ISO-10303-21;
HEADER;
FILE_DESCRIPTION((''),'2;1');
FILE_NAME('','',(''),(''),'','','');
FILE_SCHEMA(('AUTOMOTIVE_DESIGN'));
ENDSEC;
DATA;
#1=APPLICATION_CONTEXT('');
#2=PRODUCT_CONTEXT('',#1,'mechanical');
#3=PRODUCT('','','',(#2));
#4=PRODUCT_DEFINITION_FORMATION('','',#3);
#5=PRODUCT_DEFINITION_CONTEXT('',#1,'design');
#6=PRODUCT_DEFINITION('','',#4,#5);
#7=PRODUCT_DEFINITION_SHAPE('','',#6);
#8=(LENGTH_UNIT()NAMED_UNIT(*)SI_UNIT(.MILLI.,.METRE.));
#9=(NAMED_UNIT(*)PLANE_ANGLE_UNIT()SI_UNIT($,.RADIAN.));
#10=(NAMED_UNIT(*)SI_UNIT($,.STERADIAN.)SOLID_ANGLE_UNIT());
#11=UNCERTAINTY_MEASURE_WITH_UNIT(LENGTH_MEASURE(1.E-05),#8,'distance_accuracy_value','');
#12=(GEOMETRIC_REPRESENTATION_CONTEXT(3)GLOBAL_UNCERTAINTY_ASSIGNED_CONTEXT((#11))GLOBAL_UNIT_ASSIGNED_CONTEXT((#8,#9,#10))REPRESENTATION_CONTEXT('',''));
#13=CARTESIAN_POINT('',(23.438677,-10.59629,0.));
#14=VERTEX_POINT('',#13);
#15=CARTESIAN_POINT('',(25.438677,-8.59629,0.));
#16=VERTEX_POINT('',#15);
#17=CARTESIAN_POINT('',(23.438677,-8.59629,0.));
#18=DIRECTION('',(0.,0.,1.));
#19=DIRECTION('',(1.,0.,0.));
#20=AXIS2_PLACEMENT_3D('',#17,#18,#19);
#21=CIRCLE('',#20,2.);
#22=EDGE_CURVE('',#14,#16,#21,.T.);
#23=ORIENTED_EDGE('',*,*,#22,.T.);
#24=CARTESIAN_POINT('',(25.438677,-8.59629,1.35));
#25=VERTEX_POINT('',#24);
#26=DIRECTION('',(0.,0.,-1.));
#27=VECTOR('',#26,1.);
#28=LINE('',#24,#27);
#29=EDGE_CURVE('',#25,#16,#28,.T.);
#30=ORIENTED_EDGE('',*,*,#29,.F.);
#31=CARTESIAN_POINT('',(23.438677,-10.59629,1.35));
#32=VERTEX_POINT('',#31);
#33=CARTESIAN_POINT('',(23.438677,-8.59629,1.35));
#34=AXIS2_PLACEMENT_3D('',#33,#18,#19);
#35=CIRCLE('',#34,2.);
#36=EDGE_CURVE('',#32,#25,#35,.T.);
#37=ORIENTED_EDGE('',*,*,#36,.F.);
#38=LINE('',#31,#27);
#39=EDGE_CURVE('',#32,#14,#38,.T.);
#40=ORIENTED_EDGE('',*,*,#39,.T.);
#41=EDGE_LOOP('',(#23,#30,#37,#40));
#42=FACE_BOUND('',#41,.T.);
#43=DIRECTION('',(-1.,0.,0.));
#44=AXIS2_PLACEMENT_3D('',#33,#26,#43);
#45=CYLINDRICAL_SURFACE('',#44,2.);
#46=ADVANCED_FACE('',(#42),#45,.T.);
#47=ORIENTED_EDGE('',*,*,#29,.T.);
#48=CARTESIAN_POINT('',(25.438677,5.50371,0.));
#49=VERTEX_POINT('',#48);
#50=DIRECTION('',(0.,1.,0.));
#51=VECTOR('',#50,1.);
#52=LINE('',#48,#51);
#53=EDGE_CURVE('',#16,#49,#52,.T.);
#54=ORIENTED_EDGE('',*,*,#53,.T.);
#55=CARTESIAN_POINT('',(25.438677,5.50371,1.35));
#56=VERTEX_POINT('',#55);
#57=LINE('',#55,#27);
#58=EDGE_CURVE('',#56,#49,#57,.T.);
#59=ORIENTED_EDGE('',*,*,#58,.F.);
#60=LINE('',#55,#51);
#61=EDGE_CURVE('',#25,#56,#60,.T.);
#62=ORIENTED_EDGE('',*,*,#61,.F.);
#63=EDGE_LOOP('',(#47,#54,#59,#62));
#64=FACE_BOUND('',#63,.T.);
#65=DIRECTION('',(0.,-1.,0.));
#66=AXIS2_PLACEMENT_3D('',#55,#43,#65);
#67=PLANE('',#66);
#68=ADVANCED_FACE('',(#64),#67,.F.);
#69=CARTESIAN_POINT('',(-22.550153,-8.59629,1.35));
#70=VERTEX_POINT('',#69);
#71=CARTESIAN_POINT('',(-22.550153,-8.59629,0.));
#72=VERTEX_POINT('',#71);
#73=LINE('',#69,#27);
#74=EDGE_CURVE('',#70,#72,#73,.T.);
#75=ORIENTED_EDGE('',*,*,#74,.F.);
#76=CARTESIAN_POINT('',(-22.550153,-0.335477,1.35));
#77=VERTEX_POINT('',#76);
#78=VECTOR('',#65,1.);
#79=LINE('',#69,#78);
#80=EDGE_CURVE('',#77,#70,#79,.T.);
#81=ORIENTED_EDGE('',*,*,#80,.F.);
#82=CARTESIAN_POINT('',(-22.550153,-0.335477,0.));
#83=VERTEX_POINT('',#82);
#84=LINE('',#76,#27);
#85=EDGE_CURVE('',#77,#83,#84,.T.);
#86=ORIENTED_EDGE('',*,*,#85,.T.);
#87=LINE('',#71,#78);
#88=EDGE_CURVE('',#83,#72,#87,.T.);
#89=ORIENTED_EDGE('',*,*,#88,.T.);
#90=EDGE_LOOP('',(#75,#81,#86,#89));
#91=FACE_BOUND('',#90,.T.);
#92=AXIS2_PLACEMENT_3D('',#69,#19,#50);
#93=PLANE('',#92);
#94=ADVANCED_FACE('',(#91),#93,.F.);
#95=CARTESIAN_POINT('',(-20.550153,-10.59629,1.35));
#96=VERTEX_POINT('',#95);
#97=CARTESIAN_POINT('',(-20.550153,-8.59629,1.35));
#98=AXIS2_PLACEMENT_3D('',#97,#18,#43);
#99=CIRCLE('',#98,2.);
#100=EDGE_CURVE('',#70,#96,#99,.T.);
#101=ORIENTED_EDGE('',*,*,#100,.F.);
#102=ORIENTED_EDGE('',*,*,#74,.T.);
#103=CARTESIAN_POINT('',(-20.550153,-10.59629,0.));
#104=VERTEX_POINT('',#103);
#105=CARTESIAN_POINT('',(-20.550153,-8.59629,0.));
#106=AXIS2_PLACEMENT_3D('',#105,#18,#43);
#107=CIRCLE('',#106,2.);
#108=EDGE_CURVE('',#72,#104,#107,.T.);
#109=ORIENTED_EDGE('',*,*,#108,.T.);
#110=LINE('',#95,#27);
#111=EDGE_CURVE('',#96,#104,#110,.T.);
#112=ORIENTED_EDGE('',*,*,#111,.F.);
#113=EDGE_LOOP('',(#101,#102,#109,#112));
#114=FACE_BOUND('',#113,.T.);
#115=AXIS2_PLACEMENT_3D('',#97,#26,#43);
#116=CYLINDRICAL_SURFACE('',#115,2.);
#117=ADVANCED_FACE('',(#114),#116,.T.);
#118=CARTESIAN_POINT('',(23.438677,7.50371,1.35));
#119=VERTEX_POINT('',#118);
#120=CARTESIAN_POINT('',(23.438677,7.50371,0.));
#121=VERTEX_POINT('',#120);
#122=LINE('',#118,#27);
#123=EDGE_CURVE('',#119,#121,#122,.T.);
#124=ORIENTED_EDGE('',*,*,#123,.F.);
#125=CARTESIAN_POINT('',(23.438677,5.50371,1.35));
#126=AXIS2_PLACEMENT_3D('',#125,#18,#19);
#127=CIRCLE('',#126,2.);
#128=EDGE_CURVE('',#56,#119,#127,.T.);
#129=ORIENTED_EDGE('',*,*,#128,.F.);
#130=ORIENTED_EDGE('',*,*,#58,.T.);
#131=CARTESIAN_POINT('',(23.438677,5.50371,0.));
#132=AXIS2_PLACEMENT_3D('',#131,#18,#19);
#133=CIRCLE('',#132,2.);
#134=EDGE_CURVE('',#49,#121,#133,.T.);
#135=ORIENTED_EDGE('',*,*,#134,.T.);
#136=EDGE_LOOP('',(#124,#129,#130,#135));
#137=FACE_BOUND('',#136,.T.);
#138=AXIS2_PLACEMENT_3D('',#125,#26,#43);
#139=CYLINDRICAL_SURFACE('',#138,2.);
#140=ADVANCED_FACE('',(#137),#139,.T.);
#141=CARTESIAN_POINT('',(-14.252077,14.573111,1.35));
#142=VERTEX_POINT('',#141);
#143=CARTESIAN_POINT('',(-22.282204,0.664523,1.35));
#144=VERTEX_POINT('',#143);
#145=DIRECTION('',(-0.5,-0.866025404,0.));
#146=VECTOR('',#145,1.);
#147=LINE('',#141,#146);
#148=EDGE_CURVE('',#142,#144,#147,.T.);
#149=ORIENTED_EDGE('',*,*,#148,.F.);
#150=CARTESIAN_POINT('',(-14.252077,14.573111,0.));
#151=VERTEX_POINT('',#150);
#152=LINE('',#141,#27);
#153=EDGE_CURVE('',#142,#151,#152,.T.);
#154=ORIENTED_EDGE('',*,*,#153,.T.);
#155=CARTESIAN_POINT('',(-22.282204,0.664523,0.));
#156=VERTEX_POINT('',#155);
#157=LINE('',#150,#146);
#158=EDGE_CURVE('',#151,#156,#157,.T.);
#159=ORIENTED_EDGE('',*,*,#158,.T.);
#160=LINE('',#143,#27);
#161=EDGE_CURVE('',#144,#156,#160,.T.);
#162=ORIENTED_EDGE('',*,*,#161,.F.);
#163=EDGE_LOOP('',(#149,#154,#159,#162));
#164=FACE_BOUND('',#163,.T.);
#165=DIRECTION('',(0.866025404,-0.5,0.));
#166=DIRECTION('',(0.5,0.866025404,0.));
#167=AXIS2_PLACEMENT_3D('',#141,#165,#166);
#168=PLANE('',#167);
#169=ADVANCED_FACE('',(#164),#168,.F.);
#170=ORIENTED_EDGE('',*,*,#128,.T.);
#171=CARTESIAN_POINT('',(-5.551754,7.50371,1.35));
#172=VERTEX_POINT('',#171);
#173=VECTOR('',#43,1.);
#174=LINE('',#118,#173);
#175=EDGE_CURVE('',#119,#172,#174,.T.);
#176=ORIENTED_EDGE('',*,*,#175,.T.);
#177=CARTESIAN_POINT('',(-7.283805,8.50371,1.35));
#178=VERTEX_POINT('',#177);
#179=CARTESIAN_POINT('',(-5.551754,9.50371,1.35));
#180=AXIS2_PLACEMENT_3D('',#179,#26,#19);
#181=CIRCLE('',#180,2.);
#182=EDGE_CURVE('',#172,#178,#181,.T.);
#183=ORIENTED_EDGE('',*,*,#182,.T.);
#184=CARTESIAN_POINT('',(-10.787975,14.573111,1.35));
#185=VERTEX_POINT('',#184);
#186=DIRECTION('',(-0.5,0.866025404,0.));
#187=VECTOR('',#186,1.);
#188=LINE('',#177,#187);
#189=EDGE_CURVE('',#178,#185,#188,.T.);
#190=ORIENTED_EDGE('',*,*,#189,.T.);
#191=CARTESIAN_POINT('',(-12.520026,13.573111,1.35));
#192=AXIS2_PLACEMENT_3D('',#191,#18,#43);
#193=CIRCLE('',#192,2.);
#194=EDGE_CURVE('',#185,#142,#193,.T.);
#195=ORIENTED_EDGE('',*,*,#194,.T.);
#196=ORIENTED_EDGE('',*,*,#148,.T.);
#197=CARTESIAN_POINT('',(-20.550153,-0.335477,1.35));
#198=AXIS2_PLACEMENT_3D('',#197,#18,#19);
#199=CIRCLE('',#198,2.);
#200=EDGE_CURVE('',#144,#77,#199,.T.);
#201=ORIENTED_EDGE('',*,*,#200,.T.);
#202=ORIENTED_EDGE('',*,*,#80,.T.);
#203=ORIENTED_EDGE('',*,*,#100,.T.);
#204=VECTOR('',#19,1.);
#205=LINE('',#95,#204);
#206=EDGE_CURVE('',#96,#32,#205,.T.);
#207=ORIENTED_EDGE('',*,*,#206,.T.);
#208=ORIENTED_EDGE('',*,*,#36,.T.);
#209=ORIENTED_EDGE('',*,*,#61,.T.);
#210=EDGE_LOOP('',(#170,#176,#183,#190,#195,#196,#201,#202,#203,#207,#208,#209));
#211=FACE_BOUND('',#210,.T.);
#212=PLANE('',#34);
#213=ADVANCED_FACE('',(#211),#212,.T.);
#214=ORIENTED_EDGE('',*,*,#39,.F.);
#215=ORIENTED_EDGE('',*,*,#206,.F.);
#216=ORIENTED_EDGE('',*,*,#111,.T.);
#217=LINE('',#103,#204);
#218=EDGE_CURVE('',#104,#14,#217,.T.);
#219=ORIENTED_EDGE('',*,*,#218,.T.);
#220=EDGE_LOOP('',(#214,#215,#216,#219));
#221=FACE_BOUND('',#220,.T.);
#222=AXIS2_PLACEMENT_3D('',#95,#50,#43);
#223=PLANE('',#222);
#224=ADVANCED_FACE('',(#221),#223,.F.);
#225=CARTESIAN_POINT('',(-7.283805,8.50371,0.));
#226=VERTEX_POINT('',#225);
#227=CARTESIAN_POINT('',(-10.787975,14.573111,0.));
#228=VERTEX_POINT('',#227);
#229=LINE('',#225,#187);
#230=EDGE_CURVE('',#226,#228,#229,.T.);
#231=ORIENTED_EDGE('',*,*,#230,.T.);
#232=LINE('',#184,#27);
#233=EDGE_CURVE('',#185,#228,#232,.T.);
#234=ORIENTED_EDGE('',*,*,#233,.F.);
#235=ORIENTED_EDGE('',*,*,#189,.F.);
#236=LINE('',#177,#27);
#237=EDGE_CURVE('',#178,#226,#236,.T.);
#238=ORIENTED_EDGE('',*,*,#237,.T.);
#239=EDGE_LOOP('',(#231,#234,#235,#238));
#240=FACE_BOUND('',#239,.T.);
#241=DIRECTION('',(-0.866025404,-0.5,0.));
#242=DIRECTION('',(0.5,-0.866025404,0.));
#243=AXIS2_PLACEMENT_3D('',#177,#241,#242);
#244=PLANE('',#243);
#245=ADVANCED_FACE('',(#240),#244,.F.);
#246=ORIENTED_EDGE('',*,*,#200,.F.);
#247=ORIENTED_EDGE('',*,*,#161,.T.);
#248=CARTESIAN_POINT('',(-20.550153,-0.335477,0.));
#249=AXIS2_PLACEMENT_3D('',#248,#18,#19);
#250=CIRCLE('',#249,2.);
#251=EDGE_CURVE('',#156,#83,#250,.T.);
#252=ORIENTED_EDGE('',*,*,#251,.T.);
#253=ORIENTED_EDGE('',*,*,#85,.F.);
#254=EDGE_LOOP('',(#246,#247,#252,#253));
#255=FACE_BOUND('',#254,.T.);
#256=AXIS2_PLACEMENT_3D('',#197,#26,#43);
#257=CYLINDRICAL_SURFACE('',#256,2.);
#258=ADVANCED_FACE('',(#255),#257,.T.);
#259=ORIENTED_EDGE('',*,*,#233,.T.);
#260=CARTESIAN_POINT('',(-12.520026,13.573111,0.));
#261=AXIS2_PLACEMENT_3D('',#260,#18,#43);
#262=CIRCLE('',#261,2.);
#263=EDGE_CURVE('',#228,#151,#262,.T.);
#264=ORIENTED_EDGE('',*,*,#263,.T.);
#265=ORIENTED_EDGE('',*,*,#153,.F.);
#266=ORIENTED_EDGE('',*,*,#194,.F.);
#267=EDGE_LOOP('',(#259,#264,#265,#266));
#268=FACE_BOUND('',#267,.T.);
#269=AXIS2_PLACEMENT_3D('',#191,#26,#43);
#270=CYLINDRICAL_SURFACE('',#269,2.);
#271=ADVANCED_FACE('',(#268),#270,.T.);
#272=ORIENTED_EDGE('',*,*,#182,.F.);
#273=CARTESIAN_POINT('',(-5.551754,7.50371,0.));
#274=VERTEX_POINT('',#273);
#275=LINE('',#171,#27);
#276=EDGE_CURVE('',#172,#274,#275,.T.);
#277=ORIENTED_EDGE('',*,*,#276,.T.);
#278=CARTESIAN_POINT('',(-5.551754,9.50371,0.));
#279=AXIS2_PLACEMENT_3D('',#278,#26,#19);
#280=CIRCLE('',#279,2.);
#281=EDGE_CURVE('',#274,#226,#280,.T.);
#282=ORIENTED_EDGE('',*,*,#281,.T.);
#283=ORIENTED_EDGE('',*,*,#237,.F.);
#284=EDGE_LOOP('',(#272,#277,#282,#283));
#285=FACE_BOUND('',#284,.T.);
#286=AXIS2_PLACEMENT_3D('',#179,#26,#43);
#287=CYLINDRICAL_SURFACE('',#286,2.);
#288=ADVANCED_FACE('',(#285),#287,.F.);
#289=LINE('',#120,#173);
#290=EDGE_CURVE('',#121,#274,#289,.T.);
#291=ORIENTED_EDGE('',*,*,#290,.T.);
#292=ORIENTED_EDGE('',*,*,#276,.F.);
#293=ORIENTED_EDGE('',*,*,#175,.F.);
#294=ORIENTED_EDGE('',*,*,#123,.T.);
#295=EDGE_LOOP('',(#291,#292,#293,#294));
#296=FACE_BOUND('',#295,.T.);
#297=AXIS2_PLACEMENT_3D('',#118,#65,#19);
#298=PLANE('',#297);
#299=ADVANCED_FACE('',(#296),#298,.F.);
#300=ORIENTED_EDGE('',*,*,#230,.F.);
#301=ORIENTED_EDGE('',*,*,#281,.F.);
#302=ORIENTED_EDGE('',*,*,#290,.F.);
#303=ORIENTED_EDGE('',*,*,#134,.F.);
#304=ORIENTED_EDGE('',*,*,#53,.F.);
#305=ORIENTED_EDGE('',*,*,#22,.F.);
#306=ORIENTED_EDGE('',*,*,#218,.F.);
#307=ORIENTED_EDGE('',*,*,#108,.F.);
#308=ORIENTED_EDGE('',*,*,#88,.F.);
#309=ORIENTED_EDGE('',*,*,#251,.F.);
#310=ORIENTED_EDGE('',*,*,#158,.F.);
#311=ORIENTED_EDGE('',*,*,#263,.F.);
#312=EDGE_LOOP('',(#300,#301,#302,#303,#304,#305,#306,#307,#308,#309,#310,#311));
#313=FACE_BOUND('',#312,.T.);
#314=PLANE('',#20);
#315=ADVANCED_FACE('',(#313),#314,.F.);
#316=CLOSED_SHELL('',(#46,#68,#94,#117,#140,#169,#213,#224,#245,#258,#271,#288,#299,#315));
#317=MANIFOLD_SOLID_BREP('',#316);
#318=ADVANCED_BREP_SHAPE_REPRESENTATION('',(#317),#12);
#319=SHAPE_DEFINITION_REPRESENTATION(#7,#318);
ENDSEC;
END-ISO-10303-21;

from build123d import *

# Parameters (mm, degrees)
BOSS_EXTRUDE1_DEPTH = 1.35


with BuildPart() as part:
    # Sketch1 → Boss-Extrude1 (new body)
    with BuildSketch(Plane.XY):
        with BuildLine():
            Line((-14.252076709, 14.573110922), (-22.282203728, 0.664522934))
            ThreePointArc((-22.282203728, 0.664522934), (-22.482004573, 0.182161024), (-22.550152921, -0.335477066))
            Line((-22.550152921, -0.335477066), (-22.550152921, -8.596290345))
            ThreePointArc((-22.550152921, -8.596290345), (-21.964366483, -10.010503907), (-20.550152921, -10.596290345))
            Line((-20.550152921, -10.596290345), (23.43867723, -10.596290345))
            ThreePointArc((23.43867723, -10.596290345), (24.852890793, -10.010503907), (25.43867723, -8.596290345))
            Line((25.43867723, -8.596290345), (25.43867723, 5.503709655))
            ThreePointArc((25.43867723, 5.503709655), (24.852890793, 6.917923217), (23.43867723, 7.503709655))
            Line((23.43867723, 7.503709655), (-5.551753831, 7.503709655))
            ThreePointArc((-5.551753831, 7.503709655), (-6.551753831, 7.771658847), (-7.283804639, 8.503709655))
            Line((-7.283804639, 8.503709655), (-10.787975094, 14.573110922))
            ThreePointArc((-10.787975094, 14.573110922), (-12.520025902, 15.573110922), (-14.252076709, 14.573110922))
        make_face()
    extrude(amount=BOSS_EXTRUDE1_DEPTH)


solid = part.part
